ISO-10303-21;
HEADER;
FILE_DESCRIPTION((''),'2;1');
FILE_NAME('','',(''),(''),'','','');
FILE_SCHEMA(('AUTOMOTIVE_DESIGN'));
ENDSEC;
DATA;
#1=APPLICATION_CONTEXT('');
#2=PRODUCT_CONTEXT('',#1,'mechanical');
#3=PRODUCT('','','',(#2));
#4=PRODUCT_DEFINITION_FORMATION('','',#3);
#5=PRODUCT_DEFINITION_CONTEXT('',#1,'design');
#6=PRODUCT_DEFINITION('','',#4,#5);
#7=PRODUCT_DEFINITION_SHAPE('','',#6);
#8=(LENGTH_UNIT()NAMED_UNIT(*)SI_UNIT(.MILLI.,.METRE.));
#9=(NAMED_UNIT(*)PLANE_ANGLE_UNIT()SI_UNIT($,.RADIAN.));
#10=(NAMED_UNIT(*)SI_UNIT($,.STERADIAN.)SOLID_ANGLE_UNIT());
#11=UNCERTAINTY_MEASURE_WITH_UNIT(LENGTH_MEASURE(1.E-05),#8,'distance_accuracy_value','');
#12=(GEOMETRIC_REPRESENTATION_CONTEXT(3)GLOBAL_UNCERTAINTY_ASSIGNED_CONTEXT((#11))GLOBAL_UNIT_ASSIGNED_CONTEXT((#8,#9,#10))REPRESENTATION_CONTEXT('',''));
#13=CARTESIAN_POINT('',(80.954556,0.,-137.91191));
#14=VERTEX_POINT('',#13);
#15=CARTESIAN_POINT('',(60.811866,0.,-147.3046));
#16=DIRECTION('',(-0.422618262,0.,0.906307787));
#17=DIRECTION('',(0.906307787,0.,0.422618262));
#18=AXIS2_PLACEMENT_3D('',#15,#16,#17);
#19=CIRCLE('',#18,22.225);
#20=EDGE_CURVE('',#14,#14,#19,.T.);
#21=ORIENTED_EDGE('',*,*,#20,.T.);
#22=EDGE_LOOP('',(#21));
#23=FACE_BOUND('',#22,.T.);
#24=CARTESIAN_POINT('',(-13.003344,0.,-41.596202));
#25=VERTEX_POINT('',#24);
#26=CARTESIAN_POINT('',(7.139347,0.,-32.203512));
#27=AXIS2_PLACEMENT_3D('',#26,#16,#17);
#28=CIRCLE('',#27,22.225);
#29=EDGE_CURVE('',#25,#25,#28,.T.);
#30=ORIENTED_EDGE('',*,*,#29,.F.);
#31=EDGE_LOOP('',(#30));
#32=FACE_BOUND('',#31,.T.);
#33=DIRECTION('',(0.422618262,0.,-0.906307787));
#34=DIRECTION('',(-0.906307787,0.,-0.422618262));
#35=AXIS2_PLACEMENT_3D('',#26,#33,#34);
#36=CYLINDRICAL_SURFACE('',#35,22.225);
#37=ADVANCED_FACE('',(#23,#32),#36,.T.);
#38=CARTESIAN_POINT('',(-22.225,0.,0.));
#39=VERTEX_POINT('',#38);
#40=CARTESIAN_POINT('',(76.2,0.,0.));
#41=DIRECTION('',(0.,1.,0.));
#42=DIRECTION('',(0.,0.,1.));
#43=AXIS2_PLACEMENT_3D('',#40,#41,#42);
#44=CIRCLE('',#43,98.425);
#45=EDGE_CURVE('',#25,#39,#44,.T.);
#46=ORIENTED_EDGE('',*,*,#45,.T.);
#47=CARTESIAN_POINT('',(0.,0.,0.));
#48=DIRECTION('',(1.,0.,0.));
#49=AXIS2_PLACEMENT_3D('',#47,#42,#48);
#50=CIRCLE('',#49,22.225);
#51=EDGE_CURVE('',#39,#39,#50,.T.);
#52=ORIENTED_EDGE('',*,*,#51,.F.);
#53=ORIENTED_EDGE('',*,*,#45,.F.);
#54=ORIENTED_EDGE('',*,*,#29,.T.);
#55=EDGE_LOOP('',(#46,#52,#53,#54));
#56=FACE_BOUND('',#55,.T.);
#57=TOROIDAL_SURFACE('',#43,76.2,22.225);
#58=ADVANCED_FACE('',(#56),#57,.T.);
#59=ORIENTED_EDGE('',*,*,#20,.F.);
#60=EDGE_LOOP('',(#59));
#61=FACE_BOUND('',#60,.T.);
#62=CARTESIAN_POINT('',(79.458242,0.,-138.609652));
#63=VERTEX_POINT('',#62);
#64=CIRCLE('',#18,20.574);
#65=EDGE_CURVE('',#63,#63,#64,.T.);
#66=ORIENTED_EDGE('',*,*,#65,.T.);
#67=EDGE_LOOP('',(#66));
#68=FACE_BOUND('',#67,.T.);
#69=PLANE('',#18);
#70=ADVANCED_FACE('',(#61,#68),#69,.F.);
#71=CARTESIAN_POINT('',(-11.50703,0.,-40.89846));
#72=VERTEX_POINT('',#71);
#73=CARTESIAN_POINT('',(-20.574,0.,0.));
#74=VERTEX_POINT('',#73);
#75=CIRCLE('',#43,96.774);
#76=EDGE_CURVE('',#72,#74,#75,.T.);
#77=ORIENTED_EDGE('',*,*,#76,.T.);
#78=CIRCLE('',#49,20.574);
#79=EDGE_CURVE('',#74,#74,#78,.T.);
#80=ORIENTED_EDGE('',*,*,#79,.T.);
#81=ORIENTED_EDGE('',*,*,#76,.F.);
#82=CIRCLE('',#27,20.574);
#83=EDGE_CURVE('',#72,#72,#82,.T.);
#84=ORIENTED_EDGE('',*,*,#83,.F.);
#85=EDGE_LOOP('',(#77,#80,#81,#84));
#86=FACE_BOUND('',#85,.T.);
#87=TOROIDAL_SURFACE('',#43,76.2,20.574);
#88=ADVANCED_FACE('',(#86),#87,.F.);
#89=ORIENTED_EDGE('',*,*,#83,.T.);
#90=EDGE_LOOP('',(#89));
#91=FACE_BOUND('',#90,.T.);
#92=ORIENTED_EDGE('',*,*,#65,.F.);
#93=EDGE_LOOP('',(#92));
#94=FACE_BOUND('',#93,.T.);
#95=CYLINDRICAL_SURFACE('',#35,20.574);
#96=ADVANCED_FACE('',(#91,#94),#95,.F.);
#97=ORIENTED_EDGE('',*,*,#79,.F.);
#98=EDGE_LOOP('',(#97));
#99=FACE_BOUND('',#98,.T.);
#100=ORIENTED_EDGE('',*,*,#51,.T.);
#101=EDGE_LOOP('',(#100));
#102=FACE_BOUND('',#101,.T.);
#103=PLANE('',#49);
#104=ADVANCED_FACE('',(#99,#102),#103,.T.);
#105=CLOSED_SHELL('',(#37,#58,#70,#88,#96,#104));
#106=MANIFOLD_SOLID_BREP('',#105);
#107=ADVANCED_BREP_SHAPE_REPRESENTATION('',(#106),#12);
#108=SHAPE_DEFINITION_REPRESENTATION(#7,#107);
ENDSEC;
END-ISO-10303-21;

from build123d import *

# Parameters (mm, degrees)
SKETCH2_R   = 22.225
SKETCH2_R_2 = 20.574


with BuildPart() as part:
    # Sweep1: sweep along a path in Sketch1
    with BuildLine(Plane(origin=(0, 0, 0), x_dir=(1, 0, 0), z_dir=(0, 1, 0))) as sweep1_path:
        Line((60.811865869, 147.304600498), (7.139346628, 32.203511545))
        ThreePointArc((7.139346628, 32.203511545), (1.806244257, 16.492698582), (0, 0))
    # Sketch2 → Sweep1 (sweep)
    with BuildSketch(Plane.XY):
        Circle(SKETCH2_R)
        Circle(SKETCH2_R_2, mode=Mode.SUBTRACT)
    sweep(path=sweep1_path.line)


solid = part.part
